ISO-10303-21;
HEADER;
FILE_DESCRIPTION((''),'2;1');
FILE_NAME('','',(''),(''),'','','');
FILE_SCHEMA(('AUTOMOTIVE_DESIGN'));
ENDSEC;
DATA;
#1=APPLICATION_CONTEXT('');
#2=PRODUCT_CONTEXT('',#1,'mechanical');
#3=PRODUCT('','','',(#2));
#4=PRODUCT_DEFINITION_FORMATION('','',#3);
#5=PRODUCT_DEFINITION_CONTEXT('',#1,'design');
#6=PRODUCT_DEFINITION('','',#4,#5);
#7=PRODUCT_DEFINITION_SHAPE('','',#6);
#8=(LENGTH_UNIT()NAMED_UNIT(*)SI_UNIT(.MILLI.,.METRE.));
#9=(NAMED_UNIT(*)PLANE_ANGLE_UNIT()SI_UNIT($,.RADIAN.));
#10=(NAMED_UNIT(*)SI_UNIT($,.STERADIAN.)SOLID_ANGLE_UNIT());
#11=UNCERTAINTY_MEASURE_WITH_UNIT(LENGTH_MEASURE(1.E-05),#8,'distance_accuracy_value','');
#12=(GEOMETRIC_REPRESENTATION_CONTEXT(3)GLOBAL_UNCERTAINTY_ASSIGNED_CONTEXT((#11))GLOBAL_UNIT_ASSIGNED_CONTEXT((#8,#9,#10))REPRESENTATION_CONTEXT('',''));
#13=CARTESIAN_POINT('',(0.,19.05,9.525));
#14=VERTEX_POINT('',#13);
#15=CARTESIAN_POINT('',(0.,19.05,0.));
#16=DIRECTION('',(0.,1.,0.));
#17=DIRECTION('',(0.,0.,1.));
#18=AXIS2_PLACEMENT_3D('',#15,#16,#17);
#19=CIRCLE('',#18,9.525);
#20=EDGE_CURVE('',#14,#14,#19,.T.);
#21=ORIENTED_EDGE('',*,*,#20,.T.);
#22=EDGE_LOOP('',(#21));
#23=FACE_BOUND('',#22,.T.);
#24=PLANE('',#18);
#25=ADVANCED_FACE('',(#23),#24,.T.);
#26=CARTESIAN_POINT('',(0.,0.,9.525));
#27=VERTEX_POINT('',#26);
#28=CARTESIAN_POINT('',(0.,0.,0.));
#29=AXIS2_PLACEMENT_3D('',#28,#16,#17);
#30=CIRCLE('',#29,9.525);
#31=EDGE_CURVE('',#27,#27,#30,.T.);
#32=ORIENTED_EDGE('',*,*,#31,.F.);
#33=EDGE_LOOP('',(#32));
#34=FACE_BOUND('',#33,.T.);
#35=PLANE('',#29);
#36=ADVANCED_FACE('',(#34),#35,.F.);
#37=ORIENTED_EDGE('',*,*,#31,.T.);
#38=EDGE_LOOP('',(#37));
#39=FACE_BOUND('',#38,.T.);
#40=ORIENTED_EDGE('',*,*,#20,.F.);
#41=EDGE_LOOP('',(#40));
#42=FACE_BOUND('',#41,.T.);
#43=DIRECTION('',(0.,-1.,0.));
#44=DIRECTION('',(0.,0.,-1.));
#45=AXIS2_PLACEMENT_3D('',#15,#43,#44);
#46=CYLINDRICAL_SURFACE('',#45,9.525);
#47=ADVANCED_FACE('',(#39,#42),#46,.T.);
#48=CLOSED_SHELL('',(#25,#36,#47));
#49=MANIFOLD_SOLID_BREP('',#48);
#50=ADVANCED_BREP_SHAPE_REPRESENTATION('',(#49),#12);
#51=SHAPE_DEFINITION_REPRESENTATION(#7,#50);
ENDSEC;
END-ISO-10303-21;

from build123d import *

# Parameters (mm, degrees)
SKETCH2_R           = 9.525
BOSS_EXTRUDE1_DEPTH = 19.05


with BuildPart() as part:
    # Sketch2 → Boss-Extrude1 (new body)
    with BuildSketch(Plane(origin=(0, 0, 0), x_dir=(1, 0, 0), z_dir=(0, 1, 0))):
        Circle(SKETCH2_R)
    extrude(amount=BOSS_EXTRUDE1_DEPTH)


solid = part.part
